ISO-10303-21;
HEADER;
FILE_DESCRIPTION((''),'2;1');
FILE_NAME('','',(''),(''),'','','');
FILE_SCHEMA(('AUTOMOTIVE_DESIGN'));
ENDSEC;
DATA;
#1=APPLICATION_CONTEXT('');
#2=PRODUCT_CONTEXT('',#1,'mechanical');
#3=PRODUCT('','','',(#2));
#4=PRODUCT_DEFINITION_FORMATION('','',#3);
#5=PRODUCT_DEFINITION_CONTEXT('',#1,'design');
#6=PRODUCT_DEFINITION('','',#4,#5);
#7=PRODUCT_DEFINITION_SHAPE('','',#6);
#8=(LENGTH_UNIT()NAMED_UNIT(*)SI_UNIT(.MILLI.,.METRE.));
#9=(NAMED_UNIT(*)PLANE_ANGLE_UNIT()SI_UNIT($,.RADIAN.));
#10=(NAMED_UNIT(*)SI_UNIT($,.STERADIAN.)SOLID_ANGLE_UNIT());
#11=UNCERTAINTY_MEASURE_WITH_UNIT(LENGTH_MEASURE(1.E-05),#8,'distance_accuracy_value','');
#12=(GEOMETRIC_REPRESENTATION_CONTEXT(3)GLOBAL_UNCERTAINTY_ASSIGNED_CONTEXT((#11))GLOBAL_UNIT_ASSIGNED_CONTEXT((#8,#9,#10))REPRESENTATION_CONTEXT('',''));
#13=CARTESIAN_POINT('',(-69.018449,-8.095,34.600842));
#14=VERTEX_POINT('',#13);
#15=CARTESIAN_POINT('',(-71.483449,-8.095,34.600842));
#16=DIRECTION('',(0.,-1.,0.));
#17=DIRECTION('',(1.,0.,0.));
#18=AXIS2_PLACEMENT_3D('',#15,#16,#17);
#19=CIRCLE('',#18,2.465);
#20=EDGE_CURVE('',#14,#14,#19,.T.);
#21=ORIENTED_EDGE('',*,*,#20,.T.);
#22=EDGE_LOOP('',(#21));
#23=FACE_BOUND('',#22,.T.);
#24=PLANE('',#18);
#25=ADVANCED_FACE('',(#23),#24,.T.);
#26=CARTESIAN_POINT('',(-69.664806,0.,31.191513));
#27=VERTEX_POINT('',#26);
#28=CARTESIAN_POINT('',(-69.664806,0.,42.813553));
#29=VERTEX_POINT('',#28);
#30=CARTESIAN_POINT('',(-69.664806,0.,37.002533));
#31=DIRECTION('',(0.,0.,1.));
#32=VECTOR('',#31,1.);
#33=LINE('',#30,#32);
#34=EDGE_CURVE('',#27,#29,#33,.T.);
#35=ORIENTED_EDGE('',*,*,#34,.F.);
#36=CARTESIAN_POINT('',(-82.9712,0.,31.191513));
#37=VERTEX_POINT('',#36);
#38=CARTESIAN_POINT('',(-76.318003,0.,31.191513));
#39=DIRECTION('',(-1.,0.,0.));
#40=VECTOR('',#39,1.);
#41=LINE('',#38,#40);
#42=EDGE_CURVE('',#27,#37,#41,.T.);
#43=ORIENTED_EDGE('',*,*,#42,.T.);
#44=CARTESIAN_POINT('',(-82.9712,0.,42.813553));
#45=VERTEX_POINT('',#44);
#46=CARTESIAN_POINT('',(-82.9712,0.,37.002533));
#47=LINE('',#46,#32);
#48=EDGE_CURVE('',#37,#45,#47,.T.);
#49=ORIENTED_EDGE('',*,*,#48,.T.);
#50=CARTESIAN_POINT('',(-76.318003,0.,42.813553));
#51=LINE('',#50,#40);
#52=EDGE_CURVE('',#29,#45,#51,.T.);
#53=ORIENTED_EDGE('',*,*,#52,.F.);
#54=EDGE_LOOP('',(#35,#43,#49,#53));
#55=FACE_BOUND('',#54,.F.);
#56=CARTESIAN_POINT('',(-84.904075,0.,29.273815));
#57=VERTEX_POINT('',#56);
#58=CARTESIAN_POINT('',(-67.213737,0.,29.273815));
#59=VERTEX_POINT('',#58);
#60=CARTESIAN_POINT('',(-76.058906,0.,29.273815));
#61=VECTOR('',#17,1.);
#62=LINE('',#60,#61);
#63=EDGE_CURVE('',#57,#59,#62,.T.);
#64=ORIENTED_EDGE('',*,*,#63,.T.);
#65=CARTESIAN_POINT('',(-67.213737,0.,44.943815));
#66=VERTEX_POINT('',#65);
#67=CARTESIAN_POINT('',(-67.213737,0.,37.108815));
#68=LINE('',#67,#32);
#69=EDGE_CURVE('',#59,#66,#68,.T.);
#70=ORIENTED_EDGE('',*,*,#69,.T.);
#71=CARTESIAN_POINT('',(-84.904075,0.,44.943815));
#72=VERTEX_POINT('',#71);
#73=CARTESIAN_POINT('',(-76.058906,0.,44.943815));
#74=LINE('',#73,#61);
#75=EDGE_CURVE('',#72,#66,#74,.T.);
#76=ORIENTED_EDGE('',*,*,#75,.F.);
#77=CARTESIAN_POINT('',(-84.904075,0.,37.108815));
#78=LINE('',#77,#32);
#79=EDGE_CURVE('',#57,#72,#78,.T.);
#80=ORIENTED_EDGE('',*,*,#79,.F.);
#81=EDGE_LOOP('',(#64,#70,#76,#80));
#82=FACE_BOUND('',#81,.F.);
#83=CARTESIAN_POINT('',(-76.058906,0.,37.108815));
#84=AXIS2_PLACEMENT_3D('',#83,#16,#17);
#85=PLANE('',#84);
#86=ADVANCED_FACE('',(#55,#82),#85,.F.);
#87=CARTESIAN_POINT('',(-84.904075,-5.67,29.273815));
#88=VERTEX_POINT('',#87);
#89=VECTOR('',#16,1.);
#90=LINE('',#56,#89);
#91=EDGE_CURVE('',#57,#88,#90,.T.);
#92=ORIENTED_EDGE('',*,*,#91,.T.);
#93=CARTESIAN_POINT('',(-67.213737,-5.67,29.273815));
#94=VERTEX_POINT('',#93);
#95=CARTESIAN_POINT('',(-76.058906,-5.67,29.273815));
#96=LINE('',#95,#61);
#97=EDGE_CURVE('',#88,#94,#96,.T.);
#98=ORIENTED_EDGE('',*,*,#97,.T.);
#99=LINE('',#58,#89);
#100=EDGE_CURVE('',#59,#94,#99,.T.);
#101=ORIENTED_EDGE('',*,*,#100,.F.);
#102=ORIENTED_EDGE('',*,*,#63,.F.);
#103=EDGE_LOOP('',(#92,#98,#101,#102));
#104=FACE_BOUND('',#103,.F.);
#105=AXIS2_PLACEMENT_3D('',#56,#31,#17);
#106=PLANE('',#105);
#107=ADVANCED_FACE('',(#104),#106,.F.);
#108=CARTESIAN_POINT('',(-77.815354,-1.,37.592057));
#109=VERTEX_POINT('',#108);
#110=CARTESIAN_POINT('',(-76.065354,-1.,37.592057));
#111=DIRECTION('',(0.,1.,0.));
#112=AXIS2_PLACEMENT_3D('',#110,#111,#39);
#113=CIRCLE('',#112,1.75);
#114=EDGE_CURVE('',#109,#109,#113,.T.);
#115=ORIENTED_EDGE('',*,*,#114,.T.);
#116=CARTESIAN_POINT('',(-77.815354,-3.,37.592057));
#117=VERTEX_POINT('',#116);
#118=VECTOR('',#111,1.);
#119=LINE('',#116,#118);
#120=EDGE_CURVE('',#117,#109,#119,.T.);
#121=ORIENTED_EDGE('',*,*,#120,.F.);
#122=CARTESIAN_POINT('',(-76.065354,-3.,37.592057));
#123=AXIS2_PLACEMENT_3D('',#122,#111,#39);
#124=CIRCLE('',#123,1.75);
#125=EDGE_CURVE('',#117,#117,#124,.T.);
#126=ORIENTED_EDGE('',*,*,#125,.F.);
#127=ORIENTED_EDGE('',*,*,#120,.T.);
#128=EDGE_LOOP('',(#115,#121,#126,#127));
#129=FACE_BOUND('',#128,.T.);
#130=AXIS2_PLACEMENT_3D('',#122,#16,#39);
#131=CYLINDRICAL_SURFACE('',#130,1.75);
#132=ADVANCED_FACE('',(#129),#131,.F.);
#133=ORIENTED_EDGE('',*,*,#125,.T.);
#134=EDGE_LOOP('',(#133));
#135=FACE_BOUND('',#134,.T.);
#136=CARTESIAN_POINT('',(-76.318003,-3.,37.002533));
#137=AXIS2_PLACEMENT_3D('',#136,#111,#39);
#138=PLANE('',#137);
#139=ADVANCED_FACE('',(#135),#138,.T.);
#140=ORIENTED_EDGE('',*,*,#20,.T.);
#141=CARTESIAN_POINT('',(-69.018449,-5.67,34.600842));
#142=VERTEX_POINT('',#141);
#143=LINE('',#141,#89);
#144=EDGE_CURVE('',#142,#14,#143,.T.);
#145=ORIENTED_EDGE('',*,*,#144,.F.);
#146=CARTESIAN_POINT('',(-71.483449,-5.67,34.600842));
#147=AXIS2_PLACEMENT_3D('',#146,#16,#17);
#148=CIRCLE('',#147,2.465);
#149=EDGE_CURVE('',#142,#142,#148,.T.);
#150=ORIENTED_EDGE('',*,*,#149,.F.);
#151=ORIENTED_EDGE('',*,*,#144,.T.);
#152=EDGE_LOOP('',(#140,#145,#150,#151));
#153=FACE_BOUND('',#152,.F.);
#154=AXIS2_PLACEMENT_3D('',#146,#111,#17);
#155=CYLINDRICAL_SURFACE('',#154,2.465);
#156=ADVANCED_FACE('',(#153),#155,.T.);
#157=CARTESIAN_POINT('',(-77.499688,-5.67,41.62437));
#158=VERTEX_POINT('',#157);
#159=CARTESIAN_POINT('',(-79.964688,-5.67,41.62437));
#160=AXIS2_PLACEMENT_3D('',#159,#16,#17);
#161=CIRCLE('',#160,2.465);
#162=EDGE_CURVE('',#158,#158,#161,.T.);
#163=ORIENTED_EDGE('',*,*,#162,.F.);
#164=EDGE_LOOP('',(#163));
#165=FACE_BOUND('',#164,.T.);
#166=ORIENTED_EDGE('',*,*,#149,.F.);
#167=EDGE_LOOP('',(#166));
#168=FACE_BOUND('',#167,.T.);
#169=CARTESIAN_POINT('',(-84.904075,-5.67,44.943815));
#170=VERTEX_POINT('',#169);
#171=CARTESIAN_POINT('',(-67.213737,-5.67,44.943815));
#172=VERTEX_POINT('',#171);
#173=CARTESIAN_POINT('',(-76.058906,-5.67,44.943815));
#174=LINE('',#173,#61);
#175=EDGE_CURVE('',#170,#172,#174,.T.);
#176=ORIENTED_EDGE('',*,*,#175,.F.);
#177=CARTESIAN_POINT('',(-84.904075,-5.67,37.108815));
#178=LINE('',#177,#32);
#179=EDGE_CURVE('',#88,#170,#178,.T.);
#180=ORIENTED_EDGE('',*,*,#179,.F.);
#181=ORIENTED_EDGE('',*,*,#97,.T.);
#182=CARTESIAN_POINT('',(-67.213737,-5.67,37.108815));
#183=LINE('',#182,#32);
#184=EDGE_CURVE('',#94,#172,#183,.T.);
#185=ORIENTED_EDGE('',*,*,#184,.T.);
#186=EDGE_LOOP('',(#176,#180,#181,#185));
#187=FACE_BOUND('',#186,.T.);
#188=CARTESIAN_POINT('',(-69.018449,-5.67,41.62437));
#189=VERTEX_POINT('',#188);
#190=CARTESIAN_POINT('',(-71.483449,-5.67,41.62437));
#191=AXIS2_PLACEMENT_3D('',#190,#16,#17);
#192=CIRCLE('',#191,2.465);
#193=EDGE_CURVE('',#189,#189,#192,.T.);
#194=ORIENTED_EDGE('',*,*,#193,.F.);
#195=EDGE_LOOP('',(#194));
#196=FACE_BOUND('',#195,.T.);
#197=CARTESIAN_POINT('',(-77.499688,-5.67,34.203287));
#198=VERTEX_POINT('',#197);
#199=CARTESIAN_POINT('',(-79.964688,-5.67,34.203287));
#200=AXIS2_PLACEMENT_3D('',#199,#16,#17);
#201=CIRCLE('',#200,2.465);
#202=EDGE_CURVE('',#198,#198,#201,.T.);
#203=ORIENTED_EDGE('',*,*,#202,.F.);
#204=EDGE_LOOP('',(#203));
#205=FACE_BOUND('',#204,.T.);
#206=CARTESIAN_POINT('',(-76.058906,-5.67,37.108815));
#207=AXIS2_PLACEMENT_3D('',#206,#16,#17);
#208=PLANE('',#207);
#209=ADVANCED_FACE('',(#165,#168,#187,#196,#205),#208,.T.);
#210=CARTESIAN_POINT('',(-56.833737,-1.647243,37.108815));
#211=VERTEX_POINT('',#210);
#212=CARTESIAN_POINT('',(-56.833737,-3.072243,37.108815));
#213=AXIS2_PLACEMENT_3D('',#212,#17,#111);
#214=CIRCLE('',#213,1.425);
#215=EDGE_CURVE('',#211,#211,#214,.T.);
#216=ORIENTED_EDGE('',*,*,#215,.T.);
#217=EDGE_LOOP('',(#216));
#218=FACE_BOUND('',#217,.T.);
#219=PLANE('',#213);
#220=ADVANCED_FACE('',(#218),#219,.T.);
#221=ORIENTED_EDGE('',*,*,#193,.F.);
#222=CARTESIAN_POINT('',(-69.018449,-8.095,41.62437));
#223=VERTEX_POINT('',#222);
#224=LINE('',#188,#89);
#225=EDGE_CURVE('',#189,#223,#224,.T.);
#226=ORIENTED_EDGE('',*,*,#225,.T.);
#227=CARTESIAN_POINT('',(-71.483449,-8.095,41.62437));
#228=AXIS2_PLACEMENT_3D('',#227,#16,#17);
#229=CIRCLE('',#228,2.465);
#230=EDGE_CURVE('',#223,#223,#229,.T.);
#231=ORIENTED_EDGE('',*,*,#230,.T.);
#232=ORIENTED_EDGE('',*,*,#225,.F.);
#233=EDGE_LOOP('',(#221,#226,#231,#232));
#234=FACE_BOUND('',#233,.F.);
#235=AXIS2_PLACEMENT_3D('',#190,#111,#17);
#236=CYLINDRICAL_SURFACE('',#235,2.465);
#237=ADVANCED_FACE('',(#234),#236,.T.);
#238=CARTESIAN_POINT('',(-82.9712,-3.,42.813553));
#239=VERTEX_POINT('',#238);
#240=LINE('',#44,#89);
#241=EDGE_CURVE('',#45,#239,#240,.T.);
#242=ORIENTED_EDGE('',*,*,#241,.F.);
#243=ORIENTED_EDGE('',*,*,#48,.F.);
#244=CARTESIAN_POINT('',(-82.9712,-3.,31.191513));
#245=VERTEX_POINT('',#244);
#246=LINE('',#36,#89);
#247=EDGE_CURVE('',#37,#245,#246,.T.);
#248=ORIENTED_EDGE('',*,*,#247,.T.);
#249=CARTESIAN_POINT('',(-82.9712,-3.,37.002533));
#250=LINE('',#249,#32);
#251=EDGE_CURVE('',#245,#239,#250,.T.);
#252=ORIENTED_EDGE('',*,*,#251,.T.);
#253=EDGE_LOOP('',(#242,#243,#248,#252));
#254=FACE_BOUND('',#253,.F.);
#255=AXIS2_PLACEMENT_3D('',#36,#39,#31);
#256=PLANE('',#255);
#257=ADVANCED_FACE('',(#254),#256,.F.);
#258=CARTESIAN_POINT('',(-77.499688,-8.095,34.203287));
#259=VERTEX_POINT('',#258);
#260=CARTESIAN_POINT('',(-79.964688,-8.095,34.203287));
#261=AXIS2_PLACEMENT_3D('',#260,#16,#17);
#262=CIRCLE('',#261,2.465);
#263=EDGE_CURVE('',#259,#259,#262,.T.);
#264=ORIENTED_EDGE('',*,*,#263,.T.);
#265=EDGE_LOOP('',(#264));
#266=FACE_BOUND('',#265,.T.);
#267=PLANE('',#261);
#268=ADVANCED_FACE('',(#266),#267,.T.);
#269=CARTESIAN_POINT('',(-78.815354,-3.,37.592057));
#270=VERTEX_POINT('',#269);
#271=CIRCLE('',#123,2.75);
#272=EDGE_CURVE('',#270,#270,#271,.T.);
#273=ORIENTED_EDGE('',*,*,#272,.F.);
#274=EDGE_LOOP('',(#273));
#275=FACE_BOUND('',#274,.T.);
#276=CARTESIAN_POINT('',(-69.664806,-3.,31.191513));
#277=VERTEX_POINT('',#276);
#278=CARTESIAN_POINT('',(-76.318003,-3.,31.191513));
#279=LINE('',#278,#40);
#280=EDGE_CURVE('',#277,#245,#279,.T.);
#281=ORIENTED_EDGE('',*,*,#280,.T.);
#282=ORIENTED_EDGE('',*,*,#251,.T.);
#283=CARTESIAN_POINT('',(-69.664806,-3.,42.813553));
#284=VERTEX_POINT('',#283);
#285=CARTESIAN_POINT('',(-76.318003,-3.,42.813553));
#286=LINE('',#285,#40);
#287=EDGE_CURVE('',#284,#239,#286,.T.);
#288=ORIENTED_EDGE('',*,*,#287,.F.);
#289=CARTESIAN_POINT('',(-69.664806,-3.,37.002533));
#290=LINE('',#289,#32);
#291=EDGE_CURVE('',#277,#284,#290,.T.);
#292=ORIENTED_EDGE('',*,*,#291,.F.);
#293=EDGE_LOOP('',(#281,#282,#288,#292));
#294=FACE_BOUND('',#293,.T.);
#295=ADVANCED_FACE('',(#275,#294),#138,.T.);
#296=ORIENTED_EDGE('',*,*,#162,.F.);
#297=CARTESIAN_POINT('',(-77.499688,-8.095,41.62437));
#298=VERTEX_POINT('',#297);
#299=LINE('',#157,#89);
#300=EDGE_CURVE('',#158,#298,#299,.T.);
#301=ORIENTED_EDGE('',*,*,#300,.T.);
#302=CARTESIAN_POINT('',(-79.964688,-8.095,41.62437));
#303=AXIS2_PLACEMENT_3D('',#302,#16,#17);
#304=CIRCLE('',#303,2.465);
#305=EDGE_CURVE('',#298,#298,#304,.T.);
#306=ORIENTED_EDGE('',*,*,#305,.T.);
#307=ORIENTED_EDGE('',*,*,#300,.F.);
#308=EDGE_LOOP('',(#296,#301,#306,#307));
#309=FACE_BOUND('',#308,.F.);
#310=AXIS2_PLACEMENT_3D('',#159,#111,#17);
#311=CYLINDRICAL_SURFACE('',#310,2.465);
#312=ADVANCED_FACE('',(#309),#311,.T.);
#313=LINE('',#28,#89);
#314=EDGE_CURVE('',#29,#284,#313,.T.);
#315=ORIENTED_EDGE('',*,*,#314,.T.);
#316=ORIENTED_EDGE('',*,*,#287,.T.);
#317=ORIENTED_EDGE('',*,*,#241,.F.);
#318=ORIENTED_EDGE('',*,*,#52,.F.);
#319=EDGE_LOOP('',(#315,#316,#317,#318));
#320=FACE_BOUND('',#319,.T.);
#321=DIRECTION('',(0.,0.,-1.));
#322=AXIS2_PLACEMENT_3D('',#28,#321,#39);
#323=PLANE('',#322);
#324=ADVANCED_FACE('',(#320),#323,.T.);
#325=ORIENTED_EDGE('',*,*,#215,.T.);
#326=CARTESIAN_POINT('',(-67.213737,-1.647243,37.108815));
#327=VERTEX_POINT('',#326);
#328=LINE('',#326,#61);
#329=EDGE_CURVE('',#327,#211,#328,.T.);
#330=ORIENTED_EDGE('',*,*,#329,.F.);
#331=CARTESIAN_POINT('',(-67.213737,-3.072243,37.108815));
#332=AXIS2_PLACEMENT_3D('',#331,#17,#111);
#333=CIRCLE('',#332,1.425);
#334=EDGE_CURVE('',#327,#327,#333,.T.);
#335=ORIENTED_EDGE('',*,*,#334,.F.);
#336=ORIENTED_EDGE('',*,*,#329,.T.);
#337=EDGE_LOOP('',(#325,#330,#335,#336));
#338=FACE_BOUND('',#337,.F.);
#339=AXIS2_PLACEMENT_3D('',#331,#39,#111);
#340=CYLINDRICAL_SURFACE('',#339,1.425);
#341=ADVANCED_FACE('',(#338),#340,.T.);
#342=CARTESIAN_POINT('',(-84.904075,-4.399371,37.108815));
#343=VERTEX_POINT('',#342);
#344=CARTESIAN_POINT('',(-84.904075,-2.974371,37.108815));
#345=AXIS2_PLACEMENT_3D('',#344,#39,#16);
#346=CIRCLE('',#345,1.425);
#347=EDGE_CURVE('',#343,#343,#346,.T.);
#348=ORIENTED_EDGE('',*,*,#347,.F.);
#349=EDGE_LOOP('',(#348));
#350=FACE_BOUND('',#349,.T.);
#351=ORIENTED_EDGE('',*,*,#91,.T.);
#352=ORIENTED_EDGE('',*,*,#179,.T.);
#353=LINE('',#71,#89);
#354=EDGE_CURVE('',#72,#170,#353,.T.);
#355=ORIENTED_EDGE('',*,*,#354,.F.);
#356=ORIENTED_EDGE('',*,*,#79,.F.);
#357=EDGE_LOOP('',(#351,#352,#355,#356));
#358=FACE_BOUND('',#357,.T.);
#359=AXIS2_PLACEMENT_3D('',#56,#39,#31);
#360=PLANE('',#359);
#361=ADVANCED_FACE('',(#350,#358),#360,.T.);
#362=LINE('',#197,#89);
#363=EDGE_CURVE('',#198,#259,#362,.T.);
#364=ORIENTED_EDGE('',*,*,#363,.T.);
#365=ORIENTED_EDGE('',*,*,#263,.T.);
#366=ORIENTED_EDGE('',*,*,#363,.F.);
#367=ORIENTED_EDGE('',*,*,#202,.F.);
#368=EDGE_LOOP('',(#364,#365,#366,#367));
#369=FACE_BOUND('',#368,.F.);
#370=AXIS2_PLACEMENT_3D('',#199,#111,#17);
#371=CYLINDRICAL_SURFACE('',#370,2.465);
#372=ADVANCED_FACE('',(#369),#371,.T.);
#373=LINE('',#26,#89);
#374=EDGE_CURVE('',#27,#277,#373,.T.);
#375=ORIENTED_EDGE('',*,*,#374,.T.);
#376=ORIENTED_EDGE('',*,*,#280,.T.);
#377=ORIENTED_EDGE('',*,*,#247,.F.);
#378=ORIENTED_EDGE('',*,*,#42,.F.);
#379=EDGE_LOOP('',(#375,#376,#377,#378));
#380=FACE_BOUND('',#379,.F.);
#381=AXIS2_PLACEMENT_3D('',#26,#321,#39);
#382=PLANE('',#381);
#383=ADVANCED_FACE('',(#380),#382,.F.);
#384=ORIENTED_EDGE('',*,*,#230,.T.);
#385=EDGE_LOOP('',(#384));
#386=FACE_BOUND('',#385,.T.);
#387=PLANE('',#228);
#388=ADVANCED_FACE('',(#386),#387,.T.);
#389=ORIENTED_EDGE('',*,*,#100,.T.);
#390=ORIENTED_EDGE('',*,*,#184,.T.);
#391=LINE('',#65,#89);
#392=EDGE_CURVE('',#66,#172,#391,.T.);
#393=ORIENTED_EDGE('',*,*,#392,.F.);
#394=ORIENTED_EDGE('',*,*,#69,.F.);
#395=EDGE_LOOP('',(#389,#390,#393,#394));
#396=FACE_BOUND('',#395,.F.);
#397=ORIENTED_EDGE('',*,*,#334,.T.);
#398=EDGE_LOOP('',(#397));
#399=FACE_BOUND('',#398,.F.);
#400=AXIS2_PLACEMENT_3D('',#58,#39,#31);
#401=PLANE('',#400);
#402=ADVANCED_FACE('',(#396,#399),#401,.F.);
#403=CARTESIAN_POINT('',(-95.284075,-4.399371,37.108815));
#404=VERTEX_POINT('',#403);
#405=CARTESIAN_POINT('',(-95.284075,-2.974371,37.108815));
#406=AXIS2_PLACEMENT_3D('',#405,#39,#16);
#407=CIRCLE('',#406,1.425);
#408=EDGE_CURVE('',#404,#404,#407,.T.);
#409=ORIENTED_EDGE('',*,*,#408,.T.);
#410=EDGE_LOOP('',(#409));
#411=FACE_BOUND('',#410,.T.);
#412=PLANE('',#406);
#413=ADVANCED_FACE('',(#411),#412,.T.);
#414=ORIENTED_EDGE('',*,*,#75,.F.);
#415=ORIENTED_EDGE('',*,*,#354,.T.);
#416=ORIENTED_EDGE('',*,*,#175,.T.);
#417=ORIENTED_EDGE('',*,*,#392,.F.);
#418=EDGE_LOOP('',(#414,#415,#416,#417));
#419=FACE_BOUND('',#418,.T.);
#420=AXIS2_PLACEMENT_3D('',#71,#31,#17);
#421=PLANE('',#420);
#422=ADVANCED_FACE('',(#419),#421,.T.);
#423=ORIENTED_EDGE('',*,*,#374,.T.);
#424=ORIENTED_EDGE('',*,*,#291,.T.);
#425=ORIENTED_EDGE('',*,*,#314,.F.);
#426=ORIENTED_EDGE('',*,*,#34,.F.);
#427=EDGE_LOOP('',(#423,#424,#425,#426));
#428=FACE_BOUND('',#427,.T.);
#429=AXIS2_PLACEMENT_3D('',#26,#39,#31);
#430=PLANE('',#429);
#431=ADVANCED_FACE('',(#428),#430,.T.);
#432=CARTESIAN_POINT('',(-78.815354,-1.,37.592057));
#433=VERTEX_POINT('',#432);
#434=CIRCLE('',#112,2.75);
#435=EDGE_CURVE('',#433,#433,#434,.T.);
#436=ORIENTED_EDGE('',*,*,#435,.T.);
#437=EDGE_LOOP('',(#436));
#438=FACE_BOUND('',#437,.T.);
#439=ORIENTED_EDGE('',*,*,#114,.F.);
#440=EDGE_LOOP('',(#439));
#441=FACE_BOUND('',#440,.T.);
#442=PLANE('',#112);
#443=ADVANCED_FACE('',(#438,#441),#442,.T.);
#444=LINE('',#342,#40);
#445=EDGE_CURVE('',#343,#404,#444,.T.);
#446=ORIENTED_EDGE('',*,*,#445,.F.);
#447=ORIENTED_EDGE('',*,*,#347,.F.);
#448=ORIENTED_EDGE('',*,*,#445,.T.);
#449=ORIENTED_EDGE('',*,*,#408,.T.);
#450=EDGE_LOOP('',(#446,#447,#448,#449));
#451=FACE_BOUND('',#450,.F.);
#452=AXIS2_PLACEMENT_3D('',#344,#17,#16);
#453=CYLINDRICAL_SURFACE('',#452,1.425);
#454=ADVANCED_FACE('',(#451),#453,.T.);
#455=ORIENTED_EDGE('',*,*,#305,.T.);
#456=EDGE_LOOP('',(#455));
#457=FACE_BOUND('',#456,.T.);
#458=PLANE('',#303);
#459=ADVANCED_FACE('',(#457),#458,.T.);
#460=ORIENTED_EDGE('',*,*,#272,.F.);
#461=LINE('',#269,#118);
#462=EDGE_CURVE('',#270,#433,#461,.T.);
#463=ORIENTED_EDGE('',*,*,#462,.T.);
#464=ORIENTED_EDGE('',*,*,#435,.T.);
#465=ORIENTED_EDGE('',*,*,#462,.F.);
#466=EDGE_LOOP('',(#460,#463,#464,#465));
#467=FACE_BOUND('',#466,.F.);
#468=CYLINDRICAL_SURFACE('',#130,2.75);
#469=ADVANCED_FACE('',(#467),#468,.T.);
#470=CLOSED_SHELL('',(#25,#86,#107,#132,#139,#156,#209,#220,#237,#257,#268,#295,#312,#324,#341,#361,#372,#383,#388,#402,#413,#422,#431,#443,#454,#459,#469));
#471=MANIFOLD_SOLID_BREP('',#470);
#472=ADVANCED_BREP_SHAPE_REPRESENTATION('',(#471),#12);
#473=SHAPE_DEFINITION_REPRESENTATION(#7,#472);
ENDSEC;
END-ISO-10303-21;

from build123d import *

# Parameters (mm, degrees)
F0_R      = 7.84357
F0_R_2    = 7.775719
F1_DEPTH  = 5.67
F2_W      = 17.690338
F2_H      = 15.67
F3_DEPTH  = 5.67
F4_R      = 1.425
F5_DEPTH  = 10.38
F6_R      = 1.425
F7_DEPTH  = 10.38
F9_R      = 2.465
F10_DEPTH = 2.425
F11_W     = 13.306394
F11_H     = 11.622041
F12_DEPTH = 3
F13_R     = 2.75
F13_R_2   = 1.75
F14_DEPTH = 2


with BuildPart() as f1:
    # F0 (on Front) → F1 (new body)
    with BuildSketch(Plane.XZ):
        with Locations((-31.018244, 13.502214)):
            Circle(F0_R)
        with Locations((27.656266, 13.502214)):
            Circle(F0_R_2)
        with Locations((-31.018244, -35.786617)):
            Circle(F0_R_2)
        with Locations((27.656266, -35.786617)):
            Circle(F0_R_2)
    extrude(amount=F1_DEPTH)


with BuildPart() as f3:
    # F2 (on Front) → F3 (new body)
    with BuildSketch(Plane.XZ):
        with Locations((-76.058906, 37.108815)):
            Rectangle(F2_W, F2_H)
    extrude(amount=F3_DEPTH)

    # F4 (on face) → F5 (join)
    with BuildSketch(Plane(origin=(-84.904075, 0, 0), x_dir=(0, -1, 0), z_dir=(-1, 0, 0))):
        with Locations((2.974371, 37.108815)):
            Circle(F4_R)
    extrude(amount=F5_DEPTH)

    # F6 (on face) → F7 (join)
    with BuildSketch(Plane.YZ.offset(-67.213737)):
        with Locations((-3.072243, 37.108815)):
            Circle(F6_R)
    extrude(amount=F7_DEPTH)

    # F9 (on face) → F10 (join)
    with BuildSketch(Plane.XZ.offset(5.67)):
        with Locations((-79.964688, 41.62437)):
            Circle(F9_R)
        with Locations((-71.483449, 41.62437)):
            Circle(F9_R)
        with Locations((-79.964688, 34.203287)):
            Circle(F9_R)
        with Locations((-71.483449, 34.600842)):
            Circle(F9_R)
    extrude(amount=F10_DEPTH)

    # F11 (on face) → F12 (cut)
    with BuildSketch(Plane(origin=(0, 0, 0), x_dir=(-1, 0, 0), z_dir=(0, 1, 0))):
        with Locations((76.318003, 37.002533)):
            Rectangle(F11_W, F11_H)
    extrude(amount=-F12_DEPTH, mode=Mode.SUBTRACT)

    # F13 (on face) → F14 (join)
    with BuildSketch(Plane(origin=(0, -3, 0), x_dir=(-1, 0, 0), z_dir=(0, 1, 0))):
        with Locations((76.065354, 37.592057)):
            Circle(F13_R)
        with Locations((76.065354, 37.592057)):
            Circle(F13_R_2, mode=Mode.SUBTRACT)
    extrude(amount=F14_DEPTH)


solid = f3.part
